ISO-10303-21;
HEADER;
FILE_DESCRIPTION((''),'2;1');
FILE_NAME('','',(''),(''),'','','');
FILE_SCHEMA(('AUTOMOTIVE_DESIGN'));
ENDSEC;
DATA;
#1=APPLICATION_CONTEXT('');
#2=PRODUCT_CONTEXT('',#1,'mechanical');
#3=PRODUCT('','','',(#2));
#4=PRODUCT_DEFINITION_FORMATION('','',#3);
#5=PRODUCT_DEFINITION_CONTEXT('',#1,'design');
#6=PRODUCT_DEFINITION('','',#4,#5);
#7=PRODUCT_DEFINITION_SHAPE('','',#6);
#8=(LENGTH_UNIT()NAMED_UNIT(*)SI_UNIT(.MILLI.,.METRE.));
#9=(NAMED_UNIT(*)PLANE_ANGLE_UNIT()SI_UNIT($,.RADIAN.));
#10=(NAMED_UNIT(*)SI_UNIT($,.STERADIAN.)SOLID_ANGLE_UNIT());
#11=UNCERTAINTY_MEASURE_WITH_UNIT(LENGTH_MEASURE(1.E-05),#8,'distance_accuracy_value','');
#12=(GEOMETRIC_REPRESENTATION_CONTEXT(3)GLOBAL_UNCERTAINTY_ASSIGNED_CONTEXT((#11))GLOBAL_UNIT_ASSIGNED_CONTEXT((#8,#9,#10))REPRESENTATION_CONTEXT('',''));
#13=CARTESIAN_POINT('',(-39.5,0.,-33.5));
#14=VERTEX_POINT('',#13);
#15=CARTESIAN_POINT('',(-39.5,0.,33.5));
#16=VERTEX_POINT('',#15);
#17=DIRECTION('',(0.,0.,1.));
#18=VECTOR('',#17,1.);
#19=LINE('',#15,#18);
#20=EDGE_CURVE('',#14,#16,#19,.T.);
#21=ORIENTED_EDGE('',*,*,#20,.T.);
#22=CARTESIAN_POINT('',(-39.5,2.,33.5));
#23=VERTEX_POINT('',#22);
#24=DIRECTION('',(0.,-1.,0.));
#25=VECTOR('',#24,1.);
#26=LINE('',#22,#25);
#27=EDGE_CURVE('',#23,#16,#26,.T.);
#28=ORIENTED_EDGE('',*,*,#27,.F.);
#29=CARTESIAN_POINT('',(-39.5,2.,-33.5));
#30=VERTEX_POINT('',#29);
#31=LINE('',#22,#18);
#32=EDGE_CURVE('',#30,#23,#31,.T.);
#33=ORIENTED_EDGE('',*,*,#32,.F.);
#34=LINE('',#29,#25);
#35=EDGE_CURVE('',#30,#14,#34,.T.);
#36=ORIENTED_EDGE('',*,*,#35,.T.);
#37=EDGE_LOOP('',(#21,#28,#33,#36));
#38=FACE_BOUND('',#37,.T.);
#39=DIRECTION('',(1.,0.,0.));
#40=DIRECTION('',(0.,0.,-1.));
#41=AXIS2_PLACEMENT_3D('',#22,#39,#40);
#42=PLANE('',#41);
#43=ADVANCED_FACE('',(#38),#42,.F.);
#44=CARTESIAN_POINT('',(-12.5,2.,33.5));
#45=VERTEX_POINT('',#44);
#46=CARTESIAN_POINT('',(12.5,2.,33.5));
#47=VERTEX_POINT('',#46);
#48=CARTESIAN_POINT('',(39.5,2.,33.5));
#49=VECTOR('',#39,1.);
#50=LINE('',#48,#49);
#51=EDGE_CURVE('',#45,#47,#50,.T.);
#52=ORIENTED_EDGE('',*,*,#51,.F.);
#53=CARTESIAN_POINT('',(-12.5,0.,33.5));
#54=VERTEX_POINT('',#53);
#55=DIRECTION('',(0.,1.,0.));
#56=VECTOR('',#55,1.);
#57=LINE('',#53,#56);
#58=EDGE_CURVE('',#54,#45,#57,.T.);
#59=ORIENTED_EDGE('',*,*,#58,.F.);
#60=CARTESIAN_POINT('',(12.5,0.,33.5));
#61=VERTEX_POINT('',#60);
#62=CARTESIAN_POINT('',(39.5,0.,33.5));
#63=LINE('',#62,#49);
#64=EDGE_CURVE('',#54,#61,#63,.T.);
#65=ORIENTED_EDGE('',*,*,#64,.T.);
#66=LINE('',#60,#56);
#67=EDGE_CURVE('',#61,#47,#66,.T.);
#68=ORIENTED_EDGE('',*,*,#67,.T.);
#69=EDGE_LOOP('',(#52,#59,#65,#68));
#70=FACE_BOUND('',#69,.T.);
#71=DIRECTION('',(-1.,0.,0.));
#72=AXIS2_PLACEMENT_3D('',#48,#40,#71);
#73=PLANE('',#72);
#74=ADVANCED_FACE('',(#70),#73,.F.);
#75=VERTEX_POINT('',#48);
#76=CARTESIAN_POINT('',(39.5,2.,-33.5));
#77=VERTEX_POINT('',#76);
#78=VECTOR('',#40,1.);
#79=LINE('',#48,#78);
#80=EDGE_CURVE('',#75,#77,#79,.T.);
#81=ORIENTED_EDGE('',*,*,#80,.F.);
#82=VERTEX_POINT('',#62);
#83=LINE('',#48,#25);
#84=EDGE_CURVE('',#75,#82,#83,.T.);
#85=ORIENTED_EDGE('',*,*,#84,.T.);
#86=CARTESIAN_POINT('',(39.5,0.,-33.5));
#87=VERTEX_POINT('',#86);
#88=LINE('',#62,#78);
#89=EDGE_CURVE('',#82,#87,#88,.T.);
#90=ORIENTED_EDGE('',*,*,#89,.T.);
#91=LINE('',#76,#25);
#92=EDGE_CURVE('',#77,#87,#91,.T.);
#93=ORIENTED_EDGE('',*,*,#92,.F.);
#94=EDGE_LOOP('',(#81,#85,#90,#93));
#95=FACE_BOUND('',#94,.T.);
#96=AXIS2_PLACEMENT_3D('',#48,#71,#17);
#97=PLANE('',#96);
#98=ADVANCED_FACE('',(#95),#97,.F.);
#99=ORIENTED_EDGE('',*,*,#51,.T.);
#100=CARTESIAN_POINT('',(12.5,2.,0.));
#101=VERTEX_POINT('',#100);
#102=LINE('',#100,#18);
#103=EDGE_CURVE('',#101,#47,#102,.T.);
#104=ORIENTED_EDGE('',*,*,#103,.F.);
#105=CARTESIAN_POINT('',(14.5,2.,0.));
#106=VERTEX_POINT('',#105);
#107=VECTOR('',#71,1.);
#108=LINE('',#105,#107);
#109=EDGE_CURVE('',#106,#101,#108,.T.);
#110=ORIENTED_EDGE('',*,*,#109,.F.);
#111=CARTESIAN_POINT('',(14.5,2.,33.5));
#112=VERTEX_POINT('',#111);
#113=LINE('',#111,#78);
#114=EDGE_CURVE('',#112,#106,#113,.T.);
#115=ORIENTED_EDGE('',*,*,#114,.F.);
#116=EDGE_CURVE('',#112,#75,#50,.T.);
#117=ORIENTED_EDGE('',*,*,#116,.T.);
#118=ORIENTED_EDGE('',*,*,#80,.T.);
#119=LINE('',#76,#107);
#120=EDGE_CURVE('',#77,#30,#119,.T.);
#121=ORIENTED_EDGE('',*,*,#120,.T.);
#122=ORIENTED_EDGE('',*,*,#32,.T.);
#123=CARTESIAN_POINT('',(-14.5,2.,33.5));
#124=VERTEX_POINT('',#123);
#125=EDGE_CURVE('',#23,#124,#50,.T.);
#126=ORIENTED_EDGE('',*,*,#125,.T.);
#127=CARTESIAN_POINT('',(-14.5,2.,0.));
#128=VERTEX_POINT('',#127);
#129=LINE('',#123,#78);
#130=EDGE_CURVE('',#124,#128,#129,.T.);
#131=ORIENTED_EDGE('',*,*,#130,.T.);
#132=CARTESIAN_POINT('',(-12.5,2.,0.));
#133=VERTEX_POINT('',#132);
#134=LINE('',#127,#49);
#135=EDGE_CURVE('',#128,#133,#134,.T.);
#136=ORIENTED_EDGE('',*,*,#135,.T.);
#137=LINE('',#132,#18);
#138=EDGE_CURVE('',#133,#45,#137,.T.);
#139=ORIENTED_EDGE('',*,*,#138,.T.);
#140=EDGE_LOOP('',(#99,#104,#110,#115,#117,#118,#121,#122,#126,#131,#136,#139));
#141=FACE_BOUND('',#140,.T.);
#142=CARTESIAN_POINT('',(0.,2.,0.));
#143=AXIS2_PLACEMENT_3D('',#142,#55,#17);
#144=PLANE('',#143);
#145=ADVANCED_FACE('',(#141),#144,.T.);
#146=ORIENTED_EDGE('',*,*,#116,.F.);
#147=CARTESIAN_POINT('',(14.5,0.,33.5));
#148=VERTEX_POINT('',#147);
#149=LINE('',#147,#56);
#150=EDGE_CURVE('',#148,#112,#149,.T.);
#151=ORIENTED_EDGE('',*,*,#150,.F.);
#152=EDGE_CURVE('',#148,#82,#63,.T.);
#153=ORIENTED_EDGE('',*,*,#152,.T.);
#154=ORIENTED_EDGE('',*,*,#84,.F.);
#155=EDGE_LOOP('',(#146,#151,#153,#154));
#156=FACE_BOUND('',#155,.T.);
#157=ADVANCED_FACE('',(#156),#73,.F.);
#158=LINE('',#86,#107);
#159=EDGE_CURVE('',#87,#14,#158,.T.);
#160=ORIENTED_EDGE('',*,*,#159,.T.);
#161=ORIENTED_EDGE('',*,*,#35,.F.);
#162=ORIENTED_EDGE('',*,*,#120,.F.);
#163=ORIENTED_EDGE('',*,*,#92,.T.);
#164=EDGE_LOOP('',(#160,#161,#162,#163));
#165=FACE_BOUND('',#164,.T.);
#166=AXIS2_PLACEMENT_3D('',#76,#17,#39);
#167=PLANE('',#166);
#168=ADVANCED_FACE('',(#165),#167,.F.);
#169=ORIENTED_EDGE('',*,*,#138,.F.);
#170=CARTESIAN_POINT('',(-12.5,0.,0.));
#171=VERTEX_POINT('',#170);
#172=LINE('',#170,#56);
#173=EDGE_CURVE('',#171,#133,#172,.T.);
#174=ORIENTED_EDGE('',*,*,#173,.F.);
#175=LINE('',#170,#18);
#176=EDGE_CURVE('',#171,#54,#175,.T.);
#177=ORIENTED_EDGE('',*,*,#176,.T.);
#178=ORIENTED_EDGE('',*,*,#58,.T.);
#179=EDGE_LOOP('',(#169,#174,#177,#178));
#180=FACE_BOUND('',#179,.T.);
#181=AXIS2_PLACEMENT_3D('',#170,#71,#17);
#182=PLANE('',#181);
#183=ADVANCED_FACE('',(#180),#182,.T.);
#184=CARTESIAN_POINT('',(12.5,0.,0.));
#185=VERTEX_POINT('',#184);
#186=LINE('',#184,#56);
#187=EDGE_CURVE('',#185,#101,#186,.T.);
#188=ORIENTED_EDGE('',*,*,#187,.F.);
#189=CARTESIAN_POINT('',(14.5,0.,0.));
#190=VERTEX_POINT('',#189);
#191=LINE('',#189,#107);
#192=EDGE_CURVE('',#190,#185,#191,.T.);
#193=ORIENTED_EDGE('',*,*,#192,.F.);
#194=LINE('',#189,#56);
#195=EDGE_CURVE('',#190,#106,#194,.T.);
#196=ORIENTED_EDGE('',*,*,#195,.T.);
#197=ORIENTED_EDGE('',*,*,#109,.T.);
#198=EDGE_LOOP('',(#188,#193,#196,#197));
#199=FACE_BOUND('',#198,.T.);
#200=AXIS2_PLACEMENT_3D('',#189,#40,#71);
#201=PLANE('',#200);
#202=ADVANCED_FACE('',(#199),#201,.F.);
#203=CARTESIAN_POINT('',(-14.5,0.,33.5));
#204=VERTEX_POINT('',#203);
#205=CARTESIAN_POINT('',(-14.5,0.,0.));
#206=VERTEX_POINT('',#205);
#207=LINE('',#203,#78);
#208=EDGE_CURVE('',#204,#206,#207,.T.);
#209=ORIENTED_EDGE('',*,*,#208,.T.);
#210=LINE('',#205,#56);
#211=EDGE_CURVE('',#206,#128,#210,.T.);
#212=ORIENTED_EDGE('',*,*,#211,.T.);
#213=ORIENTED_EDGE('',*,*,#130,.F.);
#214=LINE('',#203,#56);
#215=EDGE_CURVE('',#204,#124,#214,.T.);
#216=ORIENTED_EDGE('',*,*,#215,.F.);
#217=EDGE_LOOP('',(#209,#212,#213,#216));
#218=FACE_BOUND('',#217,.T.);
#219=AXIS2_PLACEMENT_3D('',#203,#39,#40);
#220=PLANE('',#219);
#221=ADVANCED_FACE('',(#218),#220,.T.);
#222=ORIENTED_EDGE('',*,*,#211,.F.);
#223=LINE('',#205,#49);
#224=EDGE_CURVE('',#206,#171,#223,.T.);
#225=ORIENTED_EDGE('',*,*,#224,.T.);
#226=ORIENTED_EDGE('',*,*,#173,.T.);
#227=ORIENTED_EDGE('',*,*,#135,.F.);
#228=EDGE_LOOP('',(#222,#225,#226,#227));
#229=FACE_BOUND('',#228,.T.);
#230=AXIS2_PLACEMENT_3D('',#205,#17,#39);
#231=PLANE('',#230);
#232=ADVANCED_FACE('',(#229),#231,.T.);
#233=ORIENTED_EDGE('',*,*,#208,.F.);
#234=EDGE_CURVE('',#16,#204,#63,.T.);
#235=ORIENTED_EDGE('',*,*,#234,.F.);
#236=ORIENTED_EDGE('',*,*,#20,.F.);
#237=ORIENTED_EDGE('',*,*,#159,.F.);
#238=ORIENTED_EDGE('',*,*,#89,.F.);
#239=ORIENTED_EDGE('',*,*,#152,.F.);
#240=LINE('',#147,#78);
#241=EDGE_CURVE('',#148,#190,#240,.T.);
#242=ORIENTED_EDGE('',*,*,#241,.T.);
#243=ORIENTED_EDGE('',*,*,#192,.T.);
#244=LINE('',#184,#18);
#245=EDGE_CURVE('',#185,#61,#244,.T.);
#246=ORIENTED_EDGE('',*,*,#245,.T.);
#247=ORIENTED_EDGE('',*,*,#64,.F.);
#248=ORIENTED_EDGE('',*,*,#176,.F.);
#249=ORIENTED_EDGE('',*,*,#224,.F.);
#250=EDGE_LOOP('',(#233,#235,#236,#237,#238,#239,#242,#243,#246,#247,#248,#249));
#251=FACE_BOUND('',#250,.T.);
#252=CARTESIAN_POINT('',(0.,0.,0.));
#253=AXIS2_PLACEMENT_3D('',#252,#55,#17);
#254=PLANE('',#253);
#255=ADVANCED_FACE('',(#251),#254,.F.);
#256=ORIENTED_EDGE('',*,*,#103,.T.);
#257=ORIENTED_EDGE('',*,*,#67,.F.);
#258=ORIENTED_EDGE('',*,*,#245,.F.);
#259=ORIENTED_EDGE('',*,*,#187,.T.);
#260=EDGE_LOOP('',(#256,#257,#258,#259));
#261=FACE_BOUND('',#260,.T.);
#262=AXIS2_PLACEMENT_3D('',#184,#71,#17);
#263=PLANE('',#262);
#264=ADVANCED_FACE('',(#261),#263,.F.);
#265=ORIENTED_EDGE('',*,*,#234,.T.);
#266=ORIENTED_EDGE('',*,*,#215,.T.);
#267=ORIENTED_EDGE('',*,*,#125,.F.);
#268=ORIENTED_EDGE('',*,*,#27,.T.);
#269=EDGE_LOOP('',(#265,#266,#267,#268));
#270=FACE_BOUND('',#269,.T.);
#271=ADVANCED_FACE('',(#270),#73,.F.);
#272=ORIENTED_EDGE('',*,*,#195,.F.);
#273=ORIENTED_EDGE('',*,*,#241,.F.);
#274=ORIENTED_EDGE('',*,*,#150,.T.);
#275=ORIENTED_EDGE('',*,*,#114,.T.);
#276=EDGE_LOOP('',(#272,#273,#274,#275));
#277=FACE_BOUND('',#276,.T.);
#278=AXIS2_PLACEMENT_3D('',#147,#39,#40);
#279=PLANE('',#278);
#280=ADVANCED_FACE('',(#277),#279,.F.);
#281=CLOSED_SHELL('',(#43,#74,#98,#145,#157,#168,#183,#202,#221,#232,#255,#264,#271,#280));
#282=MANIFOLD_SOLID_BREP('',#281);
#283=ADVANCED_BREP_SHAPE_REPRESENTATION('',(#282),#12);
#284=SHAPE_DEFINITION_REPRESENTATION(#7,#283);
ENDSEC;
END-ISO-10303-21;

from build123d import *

# Parameters (mm, degrees)
SKETCH1_W           = 79
SKETCH1_H           = 67
BOSS_EXTRUDE1_DEPTH = 2
SKETCH2_W           = 2
SKETCH2_H           = 33.5
CUT_EXTRUDE1_DEPTH  = 52.83145763


with BuildPart() as part:
    # Sketch1 → Boss-Extrude1 (new body)
    with BuildSketch(Plane(origin=(0, 0, 0), x_dir=(1, 0, 0), z_dir=(0, 1, 0))):
        Rectangle(SKETCH1_W, SKETCH1_H)
    extrude(amount=BOSS_EXTRUDE1_DEPTH)

    # Sketch2 → Cut-Extrude1 (cut, through all)
    with BuildSketch(Plane(origin=(0, 2, 0), x_dir=(1, 0, 0), z_dir=(0, 1, 0))):
        with Locations((-13.5, -16.75)):
            Rectangle(SKETCH2_W, SKETCH2_H)
        with Locations((13.5, -16.75)):
            Rectangle(SKETCH2_W, SKETCH2_H)
    extrude(amount=-CUT_EXTRUDE1_DEPTH, mode=Mode.SUBTRACT)


solid = part.part
